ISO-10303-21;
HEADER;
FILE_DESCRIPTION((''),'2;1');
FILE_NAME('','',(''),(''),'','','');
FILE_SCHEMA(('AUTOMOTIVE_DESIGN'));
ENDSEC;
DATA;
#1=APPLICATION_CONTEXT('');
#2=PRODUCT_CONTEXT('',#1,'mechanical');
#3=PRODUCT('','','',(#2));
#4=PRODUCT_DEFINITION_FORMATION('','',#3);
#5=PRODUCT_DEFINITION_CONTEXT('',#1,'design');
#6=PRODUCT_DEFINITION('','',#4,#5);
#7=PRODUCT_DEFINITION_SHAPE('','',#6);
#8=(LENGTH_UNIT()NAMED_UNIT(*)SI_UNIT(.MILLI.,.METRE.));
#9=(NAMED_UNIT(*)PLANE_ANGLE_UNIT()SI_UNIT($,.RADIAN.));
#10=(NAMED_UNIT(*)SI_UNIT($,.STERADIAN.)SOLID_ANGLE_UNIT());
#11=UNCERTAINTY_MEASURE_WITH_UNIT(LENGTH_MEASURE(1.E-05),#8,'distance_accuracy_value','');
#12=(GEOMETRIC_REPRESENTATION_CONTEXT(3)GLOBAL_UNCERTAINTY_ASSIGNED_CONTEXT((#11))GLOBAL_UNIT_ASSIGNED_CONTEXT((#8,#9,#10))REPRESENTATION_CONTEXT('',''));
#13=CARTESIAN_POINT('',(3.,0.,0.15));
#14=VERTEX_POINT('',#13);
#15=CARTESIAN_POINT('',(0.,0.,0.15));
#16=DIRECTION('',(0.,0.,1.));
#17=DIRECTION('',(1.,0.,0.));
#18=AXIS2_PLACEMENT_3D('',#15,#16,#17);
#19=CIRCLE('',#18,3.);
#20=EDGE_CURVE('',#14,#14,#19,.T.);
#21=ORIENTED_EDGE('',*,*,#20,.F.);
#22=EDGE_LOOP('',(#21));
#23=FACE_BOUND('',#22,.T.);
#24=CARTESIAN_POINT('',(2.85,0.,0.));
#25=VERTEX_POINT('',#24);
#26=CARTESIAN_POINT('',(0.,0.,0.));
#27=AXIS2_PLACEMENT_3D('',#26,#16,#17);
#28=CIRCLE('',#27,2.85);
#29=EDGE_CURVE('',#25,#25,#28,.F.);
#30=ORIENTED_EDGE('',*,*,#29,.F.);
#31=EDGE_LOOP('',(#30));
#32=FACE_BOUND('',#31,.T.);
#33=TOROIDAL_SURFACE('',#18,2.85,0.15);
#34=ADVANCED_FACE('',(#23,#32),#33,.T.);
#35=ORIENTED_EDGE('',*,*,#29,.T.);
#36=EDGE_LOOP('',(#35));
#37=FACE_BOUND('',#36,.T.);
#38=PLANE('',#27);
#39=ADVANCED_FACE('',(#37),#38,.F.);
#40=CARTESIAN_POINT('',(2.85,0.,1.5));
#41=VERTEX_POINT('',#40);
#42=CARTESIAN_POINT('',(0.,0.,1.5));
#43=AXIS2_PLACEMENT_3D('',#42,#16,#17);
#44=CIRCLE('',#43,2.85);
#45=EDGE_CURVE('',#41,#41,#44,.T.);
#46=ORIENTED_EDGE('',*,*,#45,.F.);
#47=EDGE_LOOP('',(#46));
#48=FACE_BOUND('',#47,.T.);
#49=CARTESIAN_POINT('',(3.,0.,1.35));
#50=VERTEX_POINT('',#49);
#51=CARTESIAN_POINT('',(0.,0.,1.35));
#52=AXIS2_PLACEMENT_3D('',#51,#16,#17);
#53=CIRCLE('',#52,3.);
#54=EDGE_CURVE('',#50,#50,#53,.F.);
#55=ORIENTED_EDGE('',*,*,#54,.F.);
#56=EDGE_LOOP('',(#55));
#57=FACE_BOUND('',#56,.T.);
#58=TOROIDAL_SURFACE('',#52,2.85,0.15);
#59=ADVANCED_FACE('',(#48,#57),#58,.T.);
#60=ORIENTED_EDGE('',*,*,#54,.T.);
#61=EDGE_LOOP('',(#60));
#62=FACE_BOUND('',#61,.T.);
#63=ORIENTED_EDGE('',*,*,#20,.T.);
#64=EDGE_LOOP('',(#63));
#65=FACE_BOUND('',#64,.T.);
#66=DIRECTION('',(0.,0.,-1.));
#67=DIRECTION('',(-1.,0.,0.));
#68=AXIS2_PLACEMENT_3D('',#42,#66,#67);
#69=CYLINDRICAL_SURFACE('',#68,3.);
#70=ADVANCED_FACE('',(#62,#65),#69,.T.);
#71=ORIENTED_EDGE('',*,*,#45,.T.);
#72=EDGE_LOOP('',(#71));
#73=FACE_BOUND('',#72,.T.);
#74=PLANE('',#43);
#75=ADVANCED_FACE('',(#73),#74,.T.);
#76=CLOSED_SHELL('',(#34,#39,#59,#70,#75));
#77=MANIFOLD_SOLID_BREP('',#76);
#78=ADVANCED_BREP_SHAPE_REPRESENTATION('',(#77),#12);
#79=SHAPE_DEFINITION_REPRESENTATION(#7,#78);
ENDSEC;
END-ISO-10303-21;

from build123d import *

# Parameters (mm, degrees)
TOP_SKETCH_R            = 3
THICKNESS_EXTRUDE_DEPTH = 1.5
EDGE_FILLET_R           = 0.15


with BuildPart() as part:
    # Top Sketch → Thickness Extrude (new body)
    with BuildSketch(Plane.XY):
        Circle(TOP_SKETCH_R)
    extrude(amount=THICKNESS_EXTRUDE_DEPTH)

    # Edge Fillet
    edge_fillet_edges = [part.edges().sort_by_distance(p)[0] for p in [
        (-3, 0, 0),
        (-3, 0, 1.5),
    ]]
    fillet(edge_fillet_edges, radius=EDGE_FILLET_R)


solid = part.part
